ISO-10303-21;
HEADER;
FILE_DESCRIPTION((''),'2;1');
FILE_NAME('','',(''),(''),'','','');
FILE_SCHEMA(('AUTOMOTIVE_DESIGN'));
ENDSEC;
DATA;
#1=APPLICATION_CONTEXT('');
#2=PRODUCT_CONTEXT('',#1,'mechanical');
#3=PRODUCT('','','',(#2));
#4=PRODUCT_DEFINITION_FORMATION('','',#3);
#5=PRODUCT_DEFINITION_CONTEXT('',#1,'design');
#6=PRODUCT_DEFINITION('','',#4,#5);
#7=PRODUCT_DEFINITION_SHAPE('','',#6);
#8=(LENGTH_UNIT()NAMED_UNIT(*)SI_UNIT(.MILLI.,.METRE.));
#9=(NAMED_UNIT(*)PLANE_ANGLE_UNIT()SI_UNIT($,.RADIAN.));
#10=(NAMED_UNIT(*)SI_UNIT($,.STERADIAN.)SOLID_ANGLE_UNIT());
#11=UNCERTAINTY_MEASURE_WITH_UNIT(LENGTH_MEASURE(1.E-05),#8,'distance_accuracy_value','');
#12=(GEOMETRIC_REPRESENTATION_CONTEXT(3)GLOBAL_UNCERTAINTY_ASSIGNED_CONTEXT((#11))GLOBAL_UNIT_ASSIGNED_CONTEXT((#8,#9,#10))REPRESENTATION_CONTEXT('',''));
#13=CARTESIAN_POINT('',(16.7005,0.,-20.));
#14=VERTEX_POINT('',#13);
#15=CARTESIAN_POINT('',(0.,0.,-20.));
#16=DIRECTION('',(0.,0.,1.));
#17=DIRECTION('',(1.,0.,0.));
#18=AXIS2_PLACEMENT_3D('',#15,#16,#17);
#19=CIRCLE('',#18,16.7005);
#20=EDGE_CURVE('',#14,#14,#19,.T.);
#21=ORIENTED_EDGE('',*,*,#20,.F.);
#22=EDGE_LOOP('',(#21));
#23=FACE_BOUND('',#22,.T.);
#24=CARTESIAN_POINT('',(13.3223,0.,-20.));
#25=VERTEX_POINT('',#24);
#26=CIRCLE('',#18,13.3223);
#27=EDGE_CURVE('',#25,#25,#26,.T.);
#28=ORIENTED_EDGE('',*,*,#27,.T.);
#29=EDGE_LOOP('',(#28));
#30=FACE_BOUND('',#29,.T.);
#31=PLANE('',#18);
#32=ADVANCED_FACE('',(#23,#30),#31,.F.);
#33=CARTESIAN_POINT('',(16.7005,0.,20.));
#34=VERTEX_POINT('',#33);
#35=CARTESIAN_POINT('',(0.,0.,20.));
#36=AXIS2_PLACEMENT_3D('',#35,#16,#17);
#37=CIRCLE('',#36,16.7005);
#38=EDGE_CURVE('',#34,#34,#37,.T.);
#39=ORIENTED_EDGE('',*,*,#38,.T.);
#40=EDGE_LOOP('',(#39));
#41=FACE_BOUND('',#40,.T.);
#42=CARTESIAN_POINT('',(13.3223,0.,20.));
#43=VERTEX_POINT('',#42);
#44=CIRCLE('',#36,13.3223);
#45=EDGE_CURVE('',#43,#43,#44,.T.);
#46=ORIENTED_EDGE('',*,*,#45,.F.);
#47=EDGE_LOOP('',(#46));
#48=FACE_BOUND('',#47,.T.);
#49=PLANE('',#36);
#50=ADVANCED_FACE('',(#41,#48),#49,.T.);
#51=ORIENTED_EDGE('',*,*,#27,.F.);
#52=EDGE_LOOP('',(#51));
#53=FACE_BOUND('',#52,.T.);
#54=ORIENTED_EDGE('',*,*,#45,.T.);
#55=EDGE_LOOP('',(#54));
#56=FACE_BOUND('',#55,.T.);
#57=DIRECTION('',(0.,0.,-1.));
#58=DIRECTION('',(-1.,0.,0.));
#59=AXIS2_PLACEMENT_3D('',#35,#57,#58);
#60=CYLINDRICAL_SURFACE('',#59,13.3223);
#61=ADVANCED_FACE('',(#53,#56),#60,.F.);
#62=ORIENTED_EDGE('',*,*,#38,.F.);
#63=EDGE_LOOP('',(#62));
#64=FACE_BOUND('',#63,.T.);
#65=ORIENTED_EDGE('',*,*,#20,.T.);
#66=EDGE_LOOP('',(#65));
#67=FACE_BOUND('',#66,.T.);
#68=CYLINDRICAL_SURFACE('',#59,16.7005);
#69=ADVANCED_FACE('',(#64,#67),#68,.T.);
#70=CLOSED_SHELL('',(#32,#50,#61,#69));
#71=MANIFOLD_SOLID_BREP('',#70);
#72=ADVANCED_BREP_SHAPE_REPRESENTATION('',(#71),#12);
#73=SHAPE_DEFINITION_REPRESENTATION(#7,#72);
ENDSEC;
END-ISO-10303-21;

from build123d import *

# Parameters (mm, degrees)
SKETCH1_R           = 16.7005
SKETCH1_R_2         = 13.3223
EXTRUDE_THIN1_DEPTH = 20


with BuildPart() as part:
    # Sketch1 → Extrude-Thin1 (new body, symmetric)
    with BuildSketch(Plane.XY):
        Circle(SKETCH1_R)
        Circle(SKETCH1_R_2, mode=Mode.SUBTRACT)
    extrude(amount=EXTRUDE_THIN1_DEPTH, both=True)


solid = part.part
